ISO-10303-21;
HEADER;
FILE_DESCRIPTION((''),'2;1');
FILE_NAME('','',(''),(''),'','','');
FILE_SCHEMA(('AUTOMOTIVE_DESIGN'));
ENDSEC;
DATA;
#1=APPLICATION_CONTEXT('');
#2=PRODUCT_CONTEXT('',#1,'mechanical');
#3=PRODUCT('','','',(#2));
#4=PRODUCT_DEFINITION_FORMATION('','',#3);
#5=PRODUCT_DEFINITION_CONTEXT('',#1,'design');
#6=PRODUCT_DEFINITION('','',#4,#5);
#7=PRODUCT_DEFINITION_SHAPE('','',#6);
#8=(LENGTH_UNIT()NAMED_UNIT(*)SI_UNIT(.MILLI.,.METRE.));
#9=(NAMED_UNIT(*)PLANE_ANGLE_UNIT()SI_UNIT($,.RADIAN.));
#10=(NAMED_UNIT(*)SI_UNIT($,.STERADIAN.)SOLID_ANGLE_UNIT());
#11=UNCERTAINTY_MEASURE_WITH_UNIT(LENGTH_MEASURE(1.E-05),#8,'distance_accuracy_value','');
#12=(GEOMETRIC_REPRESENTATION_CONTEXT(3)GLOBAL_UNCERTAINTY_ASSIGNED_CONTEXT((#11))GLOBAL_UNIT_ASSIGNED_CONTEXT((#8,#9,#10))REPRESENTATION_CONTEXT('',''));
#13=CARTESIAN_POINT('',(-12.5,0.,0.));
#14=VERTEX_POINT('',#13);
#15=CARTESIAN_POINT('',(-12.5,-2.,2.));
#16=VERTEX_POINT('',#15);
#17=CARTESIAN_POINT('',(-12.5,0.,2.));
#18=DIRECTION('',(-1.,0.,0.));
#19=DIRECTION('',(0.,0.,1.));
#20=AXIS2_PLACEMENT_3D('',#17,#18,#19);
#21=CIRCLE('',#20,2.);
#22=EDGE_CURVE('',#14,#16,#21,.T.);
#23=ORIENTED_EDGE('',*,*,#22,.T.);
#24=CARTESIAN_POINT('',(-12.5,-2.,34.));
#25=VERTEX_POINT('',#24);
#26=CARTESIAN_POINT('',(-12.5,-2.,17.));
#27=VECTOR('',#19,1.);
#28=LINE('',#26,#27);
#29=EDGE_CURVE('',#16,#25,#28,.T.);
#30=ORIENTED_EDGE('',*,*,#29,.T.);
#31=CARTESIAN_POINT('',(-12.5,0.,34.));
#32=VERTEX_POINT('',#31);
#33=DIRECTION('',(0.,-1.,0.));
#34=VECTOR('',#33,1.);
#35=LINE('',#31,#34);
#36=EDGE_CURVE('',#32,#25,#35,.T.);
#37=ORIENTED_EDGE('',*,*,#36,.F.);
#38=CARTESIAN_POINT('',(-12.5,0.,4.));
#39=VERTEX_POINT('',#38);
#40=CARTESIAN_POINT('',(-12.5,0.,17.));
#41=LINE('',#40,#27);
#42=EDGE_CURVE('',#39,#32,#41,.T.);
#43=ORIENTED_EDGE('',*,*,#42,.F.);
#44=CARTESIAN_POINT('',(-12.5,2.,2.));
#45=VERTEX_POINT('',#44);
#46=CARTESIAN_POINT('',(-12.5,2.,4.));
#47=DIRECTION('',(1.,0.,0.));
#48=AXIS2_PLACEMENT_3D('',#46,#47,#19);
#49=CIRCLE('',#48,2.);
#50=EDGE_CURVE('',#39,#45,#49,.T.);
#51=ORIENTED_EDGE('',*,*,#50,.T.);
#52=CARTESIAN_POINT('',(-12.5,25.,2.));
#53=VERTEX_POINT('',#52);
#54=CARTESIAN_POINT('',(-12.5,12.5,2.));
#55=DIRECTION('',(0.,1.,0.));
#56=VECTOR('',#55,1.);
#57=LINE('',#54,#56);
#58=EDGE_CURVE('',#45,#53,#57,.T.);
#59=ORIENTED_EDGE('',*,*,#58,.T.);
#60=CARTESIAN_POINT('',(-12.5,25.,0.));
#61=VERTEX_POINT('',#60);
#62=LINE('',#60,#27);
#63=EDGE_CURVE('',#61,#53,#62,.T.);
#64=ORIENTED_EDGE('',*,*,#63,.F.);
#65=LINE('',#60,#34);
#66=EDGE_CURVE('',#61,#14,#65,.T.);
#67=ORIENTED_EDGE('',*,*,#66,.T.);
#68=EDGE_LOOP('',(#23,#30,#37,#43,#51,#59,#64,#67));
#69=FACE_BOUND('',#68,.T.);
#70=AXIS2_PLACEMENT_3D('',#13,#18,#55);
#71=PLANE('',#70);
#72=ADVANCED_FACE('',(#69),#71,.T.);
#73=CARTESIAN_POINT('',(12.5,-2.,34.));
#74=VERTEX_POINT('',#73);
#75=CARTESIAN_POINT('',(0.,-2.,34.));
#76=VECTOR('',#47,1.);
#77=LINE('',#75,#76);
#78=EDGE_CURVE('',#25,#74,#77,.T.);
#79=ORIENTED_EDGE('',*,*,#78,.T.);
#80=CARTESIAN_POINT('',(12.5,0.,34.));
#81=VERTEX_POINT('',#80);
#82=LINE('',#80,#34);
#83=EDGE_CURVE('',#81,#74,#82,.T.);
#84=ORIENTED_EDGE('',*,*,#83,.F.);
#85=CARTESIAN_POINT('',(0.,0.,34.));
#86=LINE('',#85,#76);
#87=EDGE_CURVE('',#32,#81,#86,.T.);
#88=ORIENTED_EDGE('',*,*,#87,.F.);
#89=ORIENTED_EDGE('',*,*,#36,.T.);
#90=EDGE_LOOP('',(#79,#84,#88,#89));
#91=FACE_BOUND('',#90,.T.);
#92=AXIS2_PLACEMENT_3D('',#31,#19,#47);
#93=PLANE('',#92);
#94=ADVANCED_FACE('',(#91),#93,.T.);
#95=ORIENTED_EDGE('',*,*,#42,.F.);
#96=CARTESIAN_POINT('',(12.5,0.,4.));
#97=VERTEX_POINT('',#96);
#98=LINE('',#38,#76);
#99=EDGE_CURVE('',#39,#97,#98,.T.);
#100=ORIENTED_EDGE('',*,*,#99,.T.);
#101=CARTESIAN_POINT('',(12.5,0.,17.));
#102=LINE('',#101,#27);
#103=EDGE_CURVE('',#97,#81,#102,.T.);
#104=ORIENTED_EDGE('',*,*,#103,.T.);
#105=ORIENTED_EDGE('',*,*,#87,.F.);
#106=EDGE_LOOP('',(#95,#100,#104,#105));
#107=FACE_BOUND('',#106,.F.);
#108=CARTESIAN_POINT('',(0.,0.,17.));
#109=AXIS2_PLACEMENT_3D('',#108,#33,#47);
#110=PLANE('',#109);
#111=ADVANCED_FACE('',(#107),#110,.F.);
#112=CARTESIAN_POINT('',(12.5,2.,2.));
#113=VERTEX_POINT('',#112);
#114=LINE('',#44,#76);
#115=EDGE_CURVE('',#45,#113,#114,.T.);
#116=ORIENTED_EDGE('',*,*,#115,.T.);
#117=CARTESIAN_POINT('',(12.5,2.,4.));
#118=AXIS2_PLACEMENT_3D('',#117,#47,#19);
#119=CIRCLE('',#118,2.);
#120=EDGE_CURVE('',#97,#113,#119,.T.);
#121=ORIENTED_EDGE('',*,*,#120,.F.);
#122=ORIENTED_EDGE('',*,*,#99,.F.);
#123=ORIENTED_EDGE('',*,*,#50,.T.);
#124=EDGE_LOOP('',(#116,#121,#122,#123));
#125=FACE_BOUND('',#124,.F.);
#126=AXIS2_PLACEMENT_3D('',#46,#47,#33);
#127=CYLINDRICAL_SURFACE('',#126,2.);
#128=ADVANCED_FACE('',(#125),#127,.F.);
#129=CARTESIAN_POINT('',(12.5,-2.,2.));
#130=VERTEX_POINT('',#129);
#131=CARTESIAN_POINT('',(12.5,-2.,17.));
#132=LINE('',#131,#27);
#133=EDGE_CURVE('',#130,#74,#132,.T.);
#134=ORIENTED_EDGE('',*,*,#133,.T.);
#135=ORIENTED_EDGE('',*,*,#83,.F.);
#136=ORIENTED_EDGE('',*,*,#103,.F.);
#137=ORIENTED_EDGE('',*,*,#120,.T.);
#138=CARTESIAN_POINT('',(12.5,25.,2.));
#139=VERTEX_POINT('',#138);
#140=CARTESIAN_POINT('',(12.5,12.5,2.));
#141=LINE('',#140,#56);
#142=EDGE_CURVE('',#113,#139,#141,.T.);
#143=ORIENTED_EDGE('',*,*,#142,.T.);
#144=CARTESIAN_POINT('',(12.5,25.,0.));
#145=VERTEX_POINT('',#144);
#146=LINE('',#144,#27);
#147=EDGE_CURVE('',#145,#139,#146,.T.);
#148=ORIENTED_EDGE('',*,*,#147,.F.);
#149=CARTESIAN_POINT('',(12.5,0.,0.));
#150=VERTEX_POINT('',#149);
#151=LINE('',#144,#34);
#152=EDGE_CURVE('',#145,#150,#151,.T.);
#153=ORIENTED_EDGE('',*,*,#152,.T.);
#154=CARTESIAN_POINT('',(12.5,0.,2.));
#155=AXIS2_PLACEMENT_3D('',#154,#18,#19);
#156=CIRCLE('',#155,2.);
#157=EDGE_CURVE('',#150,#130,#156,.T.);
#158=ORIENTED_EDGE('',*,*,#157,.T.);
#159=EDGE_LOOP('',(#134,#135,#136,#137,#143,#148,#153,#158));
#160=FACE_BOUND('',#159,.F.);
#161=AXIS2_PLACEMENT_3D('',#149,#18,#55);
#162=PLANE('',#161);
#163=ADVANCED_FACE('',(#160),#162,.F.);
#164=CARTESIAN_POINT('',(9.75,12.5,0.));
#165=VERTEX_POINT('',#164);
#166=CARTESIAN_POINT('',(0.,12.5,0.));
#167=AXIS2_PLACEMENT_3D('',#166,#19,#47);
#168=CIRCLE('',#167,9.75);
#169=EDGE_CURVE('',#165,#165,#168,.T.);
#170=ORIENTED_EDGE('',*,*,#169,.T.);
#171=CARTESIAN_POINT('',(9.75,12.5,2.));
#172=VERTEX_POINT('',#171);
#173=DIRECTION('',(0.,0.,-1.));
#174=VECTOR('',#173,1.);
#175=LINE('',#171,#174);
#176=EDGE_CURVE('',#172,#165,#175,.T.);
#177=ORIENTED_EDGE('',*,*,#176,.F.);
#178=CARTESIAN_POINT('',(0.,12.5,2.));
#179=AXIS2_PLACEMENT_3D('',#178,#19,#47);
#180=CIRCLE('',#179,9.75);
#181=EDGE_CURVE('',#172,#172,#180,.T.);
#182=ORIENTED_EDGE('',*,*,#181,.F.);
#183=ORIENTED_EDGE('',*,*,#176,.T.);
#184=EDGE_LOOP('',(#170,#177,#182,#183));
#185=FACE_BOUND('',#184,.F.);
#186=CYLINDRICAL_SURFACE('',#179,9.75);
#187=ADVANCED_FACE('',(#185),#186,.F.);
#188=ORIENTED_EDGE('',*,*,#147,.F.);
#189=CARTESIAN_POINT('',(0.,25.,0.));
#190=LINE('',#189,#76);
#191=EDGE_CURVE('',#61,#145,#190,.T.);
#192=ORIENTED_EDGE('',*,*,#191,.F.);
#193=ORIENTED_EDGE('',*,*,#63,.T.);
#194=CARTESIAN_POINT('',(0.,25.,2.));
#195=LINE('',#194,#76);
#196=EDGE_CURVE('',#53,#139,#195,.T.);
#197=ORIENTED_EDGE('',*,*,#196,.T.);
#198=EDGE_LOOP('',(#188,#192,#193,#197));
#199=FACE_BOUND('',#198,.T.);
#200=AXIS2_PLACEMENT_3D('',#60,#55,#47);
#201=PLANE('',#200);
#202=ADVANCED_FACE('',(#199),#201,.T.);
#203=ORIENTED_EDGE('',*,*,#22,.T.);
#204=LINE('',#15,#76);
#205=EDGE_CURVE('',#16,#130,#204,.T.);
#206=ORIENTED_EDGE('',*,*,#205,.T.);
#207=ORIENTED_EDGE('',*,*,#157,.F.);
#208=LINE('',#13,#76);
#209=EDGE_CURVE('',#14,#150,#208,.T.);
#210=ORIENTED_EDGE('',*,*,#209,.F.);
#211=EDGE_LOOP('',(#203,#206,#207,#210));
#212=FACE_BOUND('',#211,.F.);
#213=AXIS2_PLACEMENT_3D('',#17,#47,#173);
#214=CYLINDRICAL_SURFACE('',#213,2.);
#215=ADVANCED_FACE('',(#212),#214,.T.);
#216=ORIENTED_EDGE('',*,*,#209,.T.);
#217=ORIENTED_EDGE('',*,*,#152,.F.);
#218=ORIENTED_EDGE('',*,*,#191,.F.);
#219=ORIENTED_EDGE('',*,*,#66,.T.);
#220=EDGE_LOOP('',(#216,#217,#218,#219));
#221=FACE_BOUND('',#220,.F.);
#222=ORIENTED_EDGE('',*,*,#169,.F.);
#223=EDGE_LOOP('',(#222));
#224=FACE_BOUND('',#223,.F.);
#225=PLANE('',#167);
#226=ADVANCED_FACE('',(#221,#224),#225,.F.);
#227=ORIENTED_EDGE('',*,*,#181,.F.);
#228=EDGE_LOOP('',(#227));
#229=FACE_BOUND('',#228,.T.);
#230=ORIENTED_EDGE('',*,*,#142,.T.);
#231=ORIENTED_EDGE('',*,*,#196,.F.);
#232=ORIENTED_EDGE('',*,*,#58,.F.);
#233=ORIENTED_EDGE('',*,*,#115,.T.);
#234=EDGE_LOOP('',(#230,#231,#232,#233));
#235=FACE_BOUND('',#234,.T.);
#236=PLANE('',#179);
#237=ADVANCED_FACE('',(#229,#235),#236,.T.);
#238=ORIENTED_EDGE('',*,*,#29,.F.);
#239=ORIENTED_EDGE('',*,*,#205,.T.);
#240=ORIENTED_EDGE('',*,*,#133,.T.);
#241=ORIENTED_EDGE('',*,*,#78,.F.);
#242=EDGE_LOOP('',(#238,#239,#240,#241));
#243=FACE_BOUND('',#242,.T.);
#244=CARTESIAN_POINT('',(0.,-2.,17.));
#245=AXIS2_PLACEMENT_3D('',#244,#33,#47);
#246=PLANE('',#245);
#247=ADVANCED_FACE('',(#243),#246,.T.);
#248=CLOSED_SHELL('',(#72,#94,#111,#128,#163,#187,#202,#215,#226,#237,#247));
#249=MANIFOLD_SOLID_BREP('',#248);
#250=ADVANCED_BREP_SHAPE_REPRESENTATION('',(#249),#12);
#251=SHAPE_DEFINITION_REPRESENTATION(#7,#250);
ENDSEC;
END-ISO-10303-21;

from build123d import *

# Parameters (mm, degrees)
F0_W     = 25
F0_H     = 34
F1_DEPTH = 2
F2_W     = 25
F2_H     = 25
F3_DEPTH = 2
F4_R     = 9.75
F5_DEPTH = 2.001
F6_R     = 2


with BuildPart() as f1:
    # F0 (on Front) → F1 (new body)
    with BuildSketch(Plane.XZ):
        with Locations((0, 17)):
            Rectangle(F0_W, F0_H)
    extrude(amount=F1_DEPTH)

    # F2 (on Top) → F3 (join)
    with BuildSketch(Plane.XY):
        with Locations((0, 12.5)):
            Rectangle(F2_W, F2_H)
    extrude(amount=F3_DEPTH)

    # F4 (on face) → F5 (cut, through all)
    with BuildSketch(Plane.XY.offset(2)):
        with Locations((0, 12.5)):
            Circle(F4_R)
    extrude(amount=-F5_DEPTH, mode=Mode.SUBTRACT)

    # F6
    f6_edges = [f1.edges().sort_by_distance(p)[0] for p in [
        (0, -2, 0),
        (0, 0, 2),
    ]]
    fillet(f6_edges, radius=F6_R)


solid = f1.part
